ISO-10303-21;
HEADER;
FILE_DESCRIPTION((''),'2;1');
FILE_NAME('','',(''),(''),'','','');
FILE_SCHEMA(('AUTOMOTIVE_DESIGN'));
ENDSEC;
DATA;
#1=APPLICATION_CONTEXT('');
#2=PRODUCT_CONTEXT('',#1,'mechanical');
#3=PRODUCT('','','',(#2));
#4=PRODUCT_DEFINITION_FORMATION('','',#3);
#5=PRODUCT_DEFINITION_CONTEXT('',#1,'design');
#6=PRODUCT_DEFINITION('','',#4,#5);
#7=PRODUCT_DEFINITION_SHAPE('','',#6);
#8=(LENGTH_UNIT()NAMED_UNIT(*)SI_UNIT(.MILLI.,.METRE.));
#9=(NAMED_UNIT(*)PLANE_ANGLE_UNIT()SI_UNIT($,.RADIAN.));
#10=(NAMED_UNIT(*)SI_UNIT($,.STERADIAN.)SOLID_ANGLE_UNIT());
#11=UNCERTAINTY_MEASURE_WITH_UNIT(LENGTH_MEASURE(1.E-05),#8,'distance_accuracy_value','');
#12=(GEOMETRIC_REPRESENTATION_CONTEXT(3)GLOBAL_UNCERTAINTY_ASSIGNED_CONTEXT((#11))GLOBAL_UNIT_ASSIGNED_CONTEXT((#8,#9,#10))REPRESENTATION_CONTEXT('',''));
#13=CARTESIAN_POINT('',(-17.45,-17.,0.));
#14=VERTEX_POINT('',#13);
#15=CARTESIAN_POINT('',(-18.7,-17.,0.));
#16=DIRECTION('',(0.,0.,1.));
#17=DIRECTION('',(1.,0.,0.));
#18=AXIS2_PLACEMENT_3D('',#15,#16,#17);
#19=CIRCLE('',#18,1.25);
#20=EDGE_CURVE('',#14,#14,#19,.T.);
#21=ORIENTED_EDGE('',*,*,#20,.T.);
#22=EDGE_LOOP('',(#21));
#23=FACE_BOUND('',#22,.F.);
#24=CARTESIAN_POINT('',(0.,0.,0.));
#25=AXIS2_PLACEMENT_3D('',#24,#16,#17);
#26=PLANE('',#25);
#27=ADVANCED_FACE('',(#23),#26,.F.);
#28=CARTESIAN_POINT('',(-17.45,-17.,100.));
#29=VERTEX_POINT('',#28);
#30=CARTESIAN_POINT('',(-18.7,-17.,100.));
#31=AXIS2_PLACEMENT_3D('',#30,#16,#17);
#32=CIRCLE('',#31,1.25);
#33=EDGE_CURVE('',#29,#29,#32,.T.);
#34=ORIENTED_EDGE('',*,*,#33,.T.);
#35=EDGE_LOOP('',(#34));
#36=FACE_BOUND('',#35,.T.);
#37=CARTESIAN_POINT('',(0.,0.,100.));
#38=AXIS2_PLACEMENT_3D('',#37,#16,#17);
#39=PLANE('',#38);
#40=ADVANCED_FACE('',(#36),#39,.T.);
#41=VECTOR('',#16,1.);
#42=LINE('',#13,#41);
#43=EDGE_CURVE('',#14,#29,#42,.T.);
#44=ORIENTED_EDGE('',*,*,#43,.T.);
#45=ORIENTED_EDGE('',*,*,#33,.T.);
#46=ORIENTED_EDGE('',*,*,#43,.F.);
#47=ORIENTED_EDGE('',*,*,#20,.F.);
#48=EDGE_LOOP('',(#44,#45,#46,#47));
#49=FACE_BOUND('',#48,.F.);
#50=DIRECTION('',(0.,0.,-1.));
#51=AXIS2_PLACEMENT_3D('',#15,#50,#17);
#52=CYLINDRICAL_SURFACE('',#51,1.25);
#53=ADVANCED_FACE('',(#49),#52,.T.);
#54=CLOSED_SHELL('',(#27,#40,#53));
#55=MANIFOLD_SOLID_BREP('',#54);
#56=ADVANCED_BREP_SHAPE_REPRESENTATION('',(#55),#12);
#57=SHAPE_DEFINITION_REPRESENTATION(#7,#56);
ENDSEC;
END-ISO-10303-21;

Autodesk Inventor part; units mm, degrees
ref_plane "YZ Plane" through (0, 0, 0) normal (1, 0, 0) x (0, 1, 0)
ref_plane "XZ Plane" through (0, 0, 0) normal (0, 1, 0) x (-1, 0, 0)
ref_plane "XY Plane" through (0, 0, 0) normal (0, 0, 1) x (1, 0, 0)
sketch "Szkic1" plane through (0, 0, 0) normal (0, 0, 1) x (1, 0, 0)
  circle A0 centre (-18.7, -17) radius 1.25 projected
  point P0 (0, 0)
  dimension "d0" = 100
extrude "Wyciągnięcie proste1" add sketch "Szkic1" along normal blind 100
properties part number "rod_CPY3" material "Aluminium"
